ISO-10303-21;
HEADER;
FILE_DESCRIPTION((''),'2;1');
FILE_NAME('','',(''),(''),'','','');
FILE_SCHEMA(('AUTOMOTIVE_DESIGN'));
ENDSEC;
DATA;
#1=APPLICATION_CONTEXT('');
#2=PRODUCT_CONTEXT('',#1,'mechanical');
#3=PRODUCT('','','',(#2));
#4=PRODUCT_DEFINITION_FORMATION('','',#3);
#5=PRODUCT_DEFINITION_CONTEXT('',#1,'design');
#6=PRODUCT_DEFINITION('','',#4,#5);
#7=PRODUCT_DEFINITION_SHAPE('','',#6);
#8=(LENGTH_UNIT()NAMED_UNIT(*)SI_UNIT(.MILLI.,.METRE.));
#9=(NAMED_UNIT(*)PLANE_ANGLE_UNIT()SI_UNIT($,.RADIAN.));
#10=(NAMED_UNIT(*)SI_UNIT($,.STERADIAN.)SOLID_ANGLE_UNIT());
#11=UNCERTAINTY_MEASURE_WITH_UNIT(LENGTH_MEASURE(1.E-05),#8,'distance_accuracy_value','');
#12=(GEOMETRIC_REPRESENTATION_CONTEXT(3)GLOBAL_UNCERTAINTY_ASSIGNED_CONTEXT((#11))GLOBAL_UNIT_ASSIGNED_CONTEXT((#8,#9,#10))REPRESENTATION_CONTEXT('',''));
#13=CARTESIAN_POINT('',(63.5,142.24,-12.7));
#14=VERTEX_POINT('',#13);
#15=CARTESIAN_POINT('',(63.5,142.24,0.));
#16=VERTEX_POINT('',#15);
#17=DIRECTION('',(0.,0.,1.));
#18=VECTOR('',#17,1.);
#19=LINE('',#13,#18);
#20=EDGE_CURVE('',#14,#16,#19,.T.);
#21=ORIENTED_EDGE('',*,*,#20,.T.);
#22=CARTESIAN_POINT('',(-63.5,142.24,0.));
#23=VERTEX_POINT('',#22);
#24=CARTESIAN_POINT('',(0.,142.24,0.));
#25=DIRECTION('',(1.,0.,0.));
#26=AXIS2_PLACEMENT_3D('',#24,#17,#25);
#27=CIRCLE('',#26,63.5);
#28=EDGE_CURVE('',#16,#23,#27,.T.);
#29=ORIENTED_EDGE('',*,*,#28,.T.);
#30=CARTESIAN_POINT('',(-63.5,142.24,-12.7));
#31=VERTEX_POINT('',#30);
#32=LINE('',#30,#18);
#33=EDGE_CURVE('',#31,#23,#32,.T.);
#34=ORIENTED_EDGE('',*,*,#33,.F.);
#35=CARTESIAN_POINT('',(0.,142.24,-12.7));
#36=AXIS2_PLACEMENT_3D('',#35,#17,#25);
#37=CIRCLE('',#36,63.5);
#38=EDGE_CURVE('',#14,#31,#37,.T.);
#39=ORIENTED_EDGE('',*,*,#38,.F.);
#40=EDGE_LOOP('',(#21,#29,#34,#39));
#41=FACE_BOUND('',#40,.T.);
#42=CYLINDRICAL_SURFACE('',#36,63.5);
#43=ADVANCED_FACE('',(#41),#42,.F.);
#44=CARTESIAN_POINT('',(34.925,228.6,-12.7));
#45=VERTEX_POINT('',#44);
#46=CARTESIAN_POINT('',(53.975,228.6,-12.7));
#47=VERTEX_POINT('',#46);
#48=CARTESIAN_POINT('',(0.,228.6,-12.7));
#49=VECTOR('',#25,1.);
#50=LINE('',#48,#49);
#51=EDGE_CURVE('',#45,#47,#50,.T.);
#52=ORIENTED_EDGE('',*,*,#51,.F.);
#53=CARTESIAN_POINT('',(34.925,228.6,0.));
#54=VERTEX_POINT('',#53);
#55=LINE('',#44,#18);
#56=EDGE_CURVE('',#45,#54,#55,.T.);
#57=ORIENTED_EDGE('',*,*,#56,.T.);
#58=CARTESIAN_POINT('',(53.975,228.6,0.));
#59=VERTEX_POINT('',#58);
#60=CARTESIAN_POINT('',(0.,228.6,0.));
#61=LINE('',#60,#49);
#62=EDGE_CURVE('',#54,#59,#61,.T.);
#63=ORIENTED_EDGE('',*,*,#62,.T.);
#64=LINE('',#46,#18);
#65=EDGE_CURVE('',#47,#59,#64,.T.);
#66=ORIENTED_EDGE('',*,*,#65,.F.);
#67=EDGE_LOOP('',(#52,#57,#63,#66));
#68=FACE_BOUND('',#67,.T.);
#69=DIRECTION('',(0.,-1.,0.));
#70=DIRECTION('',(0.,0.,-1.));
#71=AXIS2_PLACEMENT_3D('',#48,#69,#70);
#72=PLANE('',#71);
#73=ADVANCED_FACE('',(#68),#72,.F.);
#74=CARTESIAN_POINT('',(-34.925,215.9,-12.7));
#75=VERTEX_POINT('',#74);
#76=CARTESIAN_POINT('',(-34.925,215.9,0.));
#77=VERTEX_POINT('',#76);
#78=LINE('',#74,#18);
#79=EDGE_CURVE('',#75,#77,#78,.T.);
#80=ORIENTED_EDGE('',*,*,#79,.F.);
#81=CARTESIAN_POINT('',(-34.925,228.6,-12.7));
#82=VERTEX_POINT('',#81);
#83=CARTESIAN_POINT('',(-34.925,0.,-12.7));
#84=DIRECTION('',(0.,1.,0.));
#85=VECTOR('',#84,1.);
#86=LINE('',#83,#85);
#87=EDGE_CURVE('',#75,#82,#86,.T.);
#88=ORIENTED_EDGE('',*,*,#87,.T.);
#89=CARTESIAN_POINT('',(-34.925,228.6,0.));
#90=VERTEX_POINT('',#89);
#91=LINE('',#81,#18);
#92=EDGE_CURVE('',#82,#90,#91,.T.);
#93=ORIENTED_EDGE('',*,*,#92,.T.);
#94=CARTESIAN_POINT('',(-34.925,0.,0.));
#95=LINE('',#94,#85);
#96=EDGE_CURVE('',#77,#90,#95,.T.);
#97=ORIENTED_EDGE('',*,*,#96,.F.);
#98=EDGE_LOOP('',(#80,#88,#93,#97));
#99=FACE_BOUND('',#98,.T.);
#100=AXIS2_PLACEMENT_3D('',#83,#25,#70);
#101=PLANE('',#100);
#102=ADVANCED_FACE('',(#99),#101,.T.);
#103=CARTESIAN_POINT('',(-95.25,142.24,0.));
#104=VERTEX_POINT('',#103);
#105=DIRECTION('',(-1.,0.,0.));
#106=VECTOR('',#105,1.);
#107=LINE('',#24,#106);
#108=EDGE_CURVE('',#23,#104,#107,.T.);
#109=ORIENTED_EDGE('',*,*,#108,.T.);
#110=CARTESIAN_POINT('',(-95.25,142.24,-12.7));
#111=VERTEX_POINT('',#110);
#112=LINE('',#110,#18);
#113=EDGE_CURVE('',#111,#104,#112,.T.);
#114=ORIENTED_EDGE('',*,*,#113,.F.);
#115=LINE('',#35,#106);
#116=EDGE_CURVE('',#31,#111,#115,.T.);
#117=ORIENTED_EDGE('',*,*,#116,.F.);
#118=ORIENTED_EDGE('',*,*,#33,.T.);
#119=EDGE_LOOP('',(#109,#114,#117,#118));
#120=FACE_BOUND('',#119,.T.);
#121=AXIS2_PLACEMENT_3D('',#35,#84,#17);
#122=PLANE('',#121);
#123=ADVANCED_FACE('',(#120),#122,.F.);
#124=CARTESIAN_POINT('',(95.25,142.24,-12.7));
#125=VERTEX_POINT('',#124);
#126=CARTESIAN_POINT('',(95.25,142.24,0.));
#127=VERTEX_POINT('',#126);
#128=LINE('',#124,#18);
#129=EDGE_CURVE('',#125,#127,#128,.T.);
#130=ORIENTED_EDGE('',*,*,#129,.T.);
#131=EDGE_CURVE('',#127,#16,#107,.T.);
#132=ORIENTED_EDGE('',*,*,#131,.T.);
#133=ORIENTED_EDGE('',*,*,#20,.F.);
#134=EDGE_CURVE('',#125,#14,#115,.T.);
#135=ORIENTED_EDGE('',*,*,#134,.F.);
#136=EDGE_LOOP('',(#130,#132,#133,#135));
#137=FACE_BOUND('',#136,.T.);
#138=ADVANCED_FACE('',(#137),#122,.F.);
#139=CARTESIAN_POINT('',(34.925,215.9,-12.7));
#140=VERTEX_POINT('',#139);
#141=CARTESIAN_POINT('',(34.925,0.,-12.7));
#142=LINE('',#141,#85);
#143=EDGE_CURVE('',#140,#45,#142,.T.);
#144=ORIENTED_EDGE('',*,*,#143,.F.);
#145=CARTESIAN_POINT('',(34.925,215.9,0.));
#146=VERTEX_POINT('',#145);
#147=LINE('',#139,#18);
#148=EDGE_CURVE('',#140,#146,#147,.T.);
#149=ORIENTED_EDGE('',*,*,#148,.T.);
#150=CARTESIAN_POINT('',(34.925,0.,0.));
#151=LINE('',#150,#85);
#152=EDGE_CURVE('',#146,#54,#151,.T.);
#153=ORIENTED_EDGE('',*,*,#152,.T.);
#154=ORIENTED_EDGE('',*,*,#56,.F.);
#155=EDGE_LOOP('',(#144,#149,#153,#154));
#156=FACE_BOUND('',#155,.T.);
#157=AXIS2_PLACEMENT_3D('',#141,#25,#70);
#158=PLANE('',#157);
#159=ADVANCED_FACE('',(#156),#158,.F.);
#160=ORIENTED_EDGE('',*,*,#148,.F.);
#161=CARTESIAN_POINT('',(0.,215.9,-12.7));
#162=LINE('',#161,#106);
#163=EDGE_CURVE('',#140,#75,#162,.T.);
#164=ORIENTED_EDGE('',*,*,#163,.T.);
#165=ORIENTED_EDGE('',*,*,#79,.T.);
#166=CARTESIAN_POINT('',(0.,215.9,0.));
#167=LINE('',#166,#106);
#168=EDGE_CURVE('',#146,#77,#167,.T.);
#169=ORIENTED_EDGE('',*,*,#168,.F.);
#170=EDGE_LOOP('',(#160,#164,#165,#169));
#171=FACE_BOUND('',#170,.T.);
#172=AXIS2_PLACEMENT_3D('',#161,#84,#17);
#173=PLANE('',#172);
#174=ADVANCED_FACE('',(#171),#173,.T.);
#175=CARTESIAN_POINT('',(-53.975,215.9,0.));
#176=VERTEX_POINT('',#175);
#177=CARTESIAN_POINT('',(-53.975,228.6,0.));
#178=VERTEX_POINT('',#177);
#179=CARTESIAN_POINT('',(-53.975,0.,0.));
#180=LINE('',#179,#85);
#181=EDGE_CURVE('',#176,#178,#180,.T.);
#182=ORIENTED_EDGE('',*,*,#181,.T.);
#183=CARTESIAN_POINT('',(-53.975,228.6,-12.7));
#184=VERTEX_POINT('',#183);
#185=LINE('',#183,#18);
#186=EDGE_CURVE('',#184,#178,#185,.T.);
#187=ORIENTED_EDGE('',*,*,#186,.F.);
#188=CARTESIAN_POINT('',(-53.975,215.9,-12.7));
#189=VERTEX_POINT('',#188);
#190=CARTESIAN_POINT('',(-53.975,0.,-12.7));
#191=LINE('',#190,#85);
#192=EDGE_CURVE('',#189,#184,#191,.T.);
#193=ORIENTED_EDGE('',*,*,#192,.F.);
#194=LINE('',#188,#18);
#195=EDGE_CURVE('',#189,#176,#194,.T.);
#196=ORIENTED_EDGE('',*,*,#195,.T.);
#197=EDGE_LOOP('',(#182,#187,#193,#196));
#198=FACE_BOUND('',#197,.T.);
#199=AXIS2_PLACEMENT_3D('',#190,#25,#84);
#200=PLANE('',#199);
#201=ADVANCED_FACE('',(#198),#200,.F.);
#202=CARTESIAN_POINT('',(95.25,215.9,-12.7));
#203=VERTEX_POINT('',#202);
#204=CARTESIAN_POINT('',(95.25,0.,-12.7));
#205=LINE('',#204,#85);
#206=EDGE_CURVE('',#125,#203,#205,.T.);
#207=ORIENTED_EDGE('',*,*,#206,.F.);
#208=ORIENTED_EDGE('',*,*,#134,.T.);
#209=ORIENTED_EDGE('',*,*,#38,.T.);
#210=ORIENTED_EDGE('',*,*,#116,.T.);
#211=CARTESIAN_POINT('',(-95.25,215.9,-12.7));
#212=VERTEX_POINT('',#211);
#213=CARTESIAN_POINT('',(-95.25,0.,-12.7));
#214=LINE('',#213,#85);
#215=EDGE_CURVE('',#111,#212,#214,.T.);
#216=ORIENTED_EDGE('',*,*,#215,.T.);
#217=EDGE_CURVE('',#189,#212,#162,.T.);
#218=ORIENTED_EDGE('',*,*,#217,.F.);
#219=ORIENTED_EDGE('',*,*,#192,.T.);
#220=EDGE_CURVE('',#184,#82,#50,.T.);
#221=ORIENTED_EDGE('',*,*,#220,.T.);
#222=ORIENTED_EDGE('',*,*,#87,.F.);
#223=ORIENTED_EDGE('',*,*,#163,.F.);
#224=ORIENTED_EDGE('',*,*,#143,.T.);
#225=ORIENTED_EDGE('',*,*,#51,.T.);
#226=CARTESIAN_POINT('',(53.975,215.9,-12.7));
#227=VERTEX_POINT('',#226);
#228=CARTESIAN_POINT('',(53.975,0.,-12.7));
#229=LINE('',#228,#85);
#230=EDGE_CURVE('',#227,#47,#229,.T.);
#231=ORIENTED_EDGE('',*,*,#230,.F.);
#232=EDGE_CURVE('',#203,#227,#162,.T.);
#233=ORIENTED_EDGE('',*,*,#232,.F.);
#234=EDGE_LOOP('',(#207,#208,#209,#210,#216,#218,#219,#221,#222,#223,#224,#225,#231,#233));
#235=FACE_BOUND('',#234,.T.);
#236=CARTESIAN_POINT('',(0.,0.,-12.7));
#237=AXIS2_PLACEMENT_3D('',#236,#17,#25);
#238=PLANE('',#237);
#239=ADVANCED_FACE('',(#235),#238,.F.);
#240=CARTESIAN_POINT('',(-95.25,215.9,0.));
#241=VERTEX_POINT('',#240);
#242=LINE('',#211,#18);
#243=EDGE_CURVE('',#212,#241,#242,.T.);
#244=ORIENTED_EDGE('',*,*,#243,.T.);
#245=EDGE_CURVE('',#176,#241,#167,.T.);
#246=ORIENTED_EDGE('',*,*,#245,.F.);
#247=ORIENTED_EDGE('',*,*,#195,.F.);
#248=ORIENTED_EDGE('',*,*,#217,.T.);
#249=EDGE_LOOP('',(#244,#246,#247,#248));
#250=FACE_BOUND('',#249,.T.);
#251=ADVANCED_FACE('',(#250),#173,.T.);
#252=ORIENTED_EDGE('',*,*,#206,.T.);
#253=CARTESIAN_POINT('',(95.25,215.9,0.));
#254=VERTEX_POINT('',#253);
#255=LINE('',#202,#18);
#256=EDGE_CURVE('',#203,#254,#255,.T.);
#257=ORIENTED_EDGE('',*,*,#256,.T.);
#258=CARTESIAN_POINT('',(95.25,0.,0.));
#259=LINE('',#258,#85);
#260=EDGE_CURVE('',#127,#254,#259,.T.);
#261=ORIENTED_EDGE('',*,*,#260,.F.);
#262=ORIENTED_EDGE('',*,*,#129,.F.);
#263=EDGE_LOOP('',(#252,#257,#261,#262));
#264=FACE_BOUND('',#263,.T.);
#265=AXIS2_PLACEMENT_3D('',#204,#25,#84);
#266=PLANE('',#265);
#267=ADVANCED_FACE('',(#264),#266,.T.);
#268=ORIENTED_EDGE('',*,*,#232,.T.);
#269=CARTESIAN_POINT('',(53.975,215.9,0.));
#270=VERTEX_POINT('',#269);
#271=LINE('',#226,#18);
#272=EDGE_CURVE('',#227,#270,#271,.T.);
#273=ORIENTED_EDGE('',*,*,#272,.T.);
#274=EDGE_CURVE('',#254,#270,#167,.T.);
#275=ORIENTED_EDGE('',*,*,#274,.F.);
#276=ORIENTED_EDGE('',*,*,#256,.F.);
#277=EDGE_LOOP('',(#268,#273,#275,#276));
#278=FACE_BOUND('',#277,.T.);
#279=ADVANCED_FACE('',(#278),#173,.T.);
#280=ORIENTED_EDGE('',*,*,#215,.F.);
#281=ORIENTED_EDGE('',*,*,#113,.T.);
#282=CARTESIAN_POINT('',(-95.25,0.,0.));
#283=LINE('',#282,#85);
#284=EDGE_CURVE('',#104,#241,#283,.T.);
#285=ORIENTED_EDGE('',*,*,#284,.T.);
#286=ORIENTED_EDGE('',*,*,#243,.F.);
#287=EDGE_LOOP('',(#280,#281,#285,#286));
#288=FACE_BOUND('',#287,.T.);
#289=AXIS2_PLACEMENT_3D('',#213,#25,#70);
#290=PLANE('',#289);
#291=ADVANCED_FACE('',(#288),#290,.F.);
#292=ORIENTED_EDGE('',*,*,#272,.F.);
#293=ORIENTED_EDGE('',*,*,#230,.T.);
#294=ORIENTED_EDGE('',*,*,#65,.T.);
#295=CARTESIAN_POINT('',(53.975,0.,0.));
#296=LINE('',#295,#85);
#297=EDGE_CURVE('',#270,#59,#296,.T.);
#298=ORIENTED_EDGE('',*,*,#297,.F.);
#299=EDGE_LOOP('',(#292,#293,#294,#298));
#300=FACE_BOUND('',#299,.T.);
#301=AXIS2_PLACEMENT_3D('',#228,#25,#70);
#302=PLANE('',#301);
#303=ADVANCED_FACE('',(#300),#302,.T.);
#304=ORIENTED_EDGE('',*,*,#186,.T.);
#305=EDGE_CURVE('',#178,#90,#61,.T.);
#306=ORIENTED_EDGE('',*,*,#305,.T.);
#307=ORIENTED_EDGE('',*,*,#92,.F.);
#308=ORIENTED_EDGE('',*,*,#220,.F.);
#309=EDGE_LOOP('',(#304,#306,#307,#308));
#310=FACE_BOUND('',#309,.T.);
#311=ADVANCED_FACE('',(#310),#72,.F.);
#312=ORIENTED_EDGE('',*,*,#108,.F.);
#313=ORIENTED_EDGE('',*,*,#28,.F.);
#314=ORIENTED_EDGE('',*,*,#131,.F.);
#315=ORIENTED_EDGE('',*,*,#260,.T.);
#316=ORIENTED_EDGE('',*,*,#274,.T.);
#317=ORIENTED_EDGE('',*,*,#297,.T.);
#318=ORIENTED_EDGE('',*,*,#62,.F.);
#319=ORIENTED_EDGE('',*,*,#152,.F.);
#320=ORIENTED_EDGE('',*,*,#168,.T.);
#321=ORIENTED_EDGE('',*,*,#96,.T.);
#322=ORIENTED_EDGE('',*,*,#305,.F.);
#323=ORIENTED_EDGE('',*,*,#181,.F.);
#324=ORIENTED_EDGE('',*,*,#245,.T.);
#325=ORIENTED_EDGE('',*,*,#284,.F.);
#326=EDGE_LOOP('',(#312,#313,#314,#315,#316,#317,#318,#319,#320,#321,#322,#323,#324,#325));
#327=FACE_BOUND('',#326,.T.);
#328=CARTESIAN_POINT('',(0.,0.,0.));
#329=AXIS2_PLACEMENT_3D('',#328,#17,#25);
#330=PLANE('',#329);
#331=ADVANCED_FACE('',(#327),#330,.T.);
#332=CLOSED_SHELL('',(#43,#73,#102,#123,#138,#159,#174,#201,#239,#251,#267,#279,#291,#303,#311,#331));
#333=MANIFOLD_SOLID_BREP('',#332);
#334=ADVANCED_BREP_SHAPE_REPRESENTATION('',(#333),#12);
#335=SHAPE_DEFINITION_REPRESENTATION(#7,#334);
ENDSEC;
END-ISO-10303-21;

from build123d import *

# Parameters (mm, degrees)
EXTRUDE1_DEPTH = 12.7


with BuildPart() as part:
    # Sketch1 → Extrude1 (new body)
    with BuildSketch(Plane.XY):
        with BuildLine():
            Line((95.25, 142.24), (63.5, 142.24))
            ThreePointArc((63.5, 142.24), (0, 205.74), (-63.5, 142.24))
            Line((-63.5, 142.24), (-95.25, 142.24))
            Line((-95.25, 142.24), (-95.25, 215.9))
            Line((-95.25, 215.9), (-53.975, 215.9))
            Line((-53.975, 215.9), (-53.975, 228.6))
            Line((-53.975, 228.6), (-34.925, 228.6))
            Line((-34.925, 228.6), (-34.925, 215.9))
            Line((-34.925, 215.9), (34.925, 215.9))
            Line((34.925, 215.9), (34.925, 228.6))
            Line((34.925, 228.6), (53.975, 228.6))
            Line((53.975, 228.6), (53.975, 215.9))
            Line((53.975, 215.9), (95.25, 215.9))
            Line((95.25, 215.9), (95.25, 142.24))
        make_face()
    extrude(amount=-EXTRUDE1_DEPTH)


solid = part.part
